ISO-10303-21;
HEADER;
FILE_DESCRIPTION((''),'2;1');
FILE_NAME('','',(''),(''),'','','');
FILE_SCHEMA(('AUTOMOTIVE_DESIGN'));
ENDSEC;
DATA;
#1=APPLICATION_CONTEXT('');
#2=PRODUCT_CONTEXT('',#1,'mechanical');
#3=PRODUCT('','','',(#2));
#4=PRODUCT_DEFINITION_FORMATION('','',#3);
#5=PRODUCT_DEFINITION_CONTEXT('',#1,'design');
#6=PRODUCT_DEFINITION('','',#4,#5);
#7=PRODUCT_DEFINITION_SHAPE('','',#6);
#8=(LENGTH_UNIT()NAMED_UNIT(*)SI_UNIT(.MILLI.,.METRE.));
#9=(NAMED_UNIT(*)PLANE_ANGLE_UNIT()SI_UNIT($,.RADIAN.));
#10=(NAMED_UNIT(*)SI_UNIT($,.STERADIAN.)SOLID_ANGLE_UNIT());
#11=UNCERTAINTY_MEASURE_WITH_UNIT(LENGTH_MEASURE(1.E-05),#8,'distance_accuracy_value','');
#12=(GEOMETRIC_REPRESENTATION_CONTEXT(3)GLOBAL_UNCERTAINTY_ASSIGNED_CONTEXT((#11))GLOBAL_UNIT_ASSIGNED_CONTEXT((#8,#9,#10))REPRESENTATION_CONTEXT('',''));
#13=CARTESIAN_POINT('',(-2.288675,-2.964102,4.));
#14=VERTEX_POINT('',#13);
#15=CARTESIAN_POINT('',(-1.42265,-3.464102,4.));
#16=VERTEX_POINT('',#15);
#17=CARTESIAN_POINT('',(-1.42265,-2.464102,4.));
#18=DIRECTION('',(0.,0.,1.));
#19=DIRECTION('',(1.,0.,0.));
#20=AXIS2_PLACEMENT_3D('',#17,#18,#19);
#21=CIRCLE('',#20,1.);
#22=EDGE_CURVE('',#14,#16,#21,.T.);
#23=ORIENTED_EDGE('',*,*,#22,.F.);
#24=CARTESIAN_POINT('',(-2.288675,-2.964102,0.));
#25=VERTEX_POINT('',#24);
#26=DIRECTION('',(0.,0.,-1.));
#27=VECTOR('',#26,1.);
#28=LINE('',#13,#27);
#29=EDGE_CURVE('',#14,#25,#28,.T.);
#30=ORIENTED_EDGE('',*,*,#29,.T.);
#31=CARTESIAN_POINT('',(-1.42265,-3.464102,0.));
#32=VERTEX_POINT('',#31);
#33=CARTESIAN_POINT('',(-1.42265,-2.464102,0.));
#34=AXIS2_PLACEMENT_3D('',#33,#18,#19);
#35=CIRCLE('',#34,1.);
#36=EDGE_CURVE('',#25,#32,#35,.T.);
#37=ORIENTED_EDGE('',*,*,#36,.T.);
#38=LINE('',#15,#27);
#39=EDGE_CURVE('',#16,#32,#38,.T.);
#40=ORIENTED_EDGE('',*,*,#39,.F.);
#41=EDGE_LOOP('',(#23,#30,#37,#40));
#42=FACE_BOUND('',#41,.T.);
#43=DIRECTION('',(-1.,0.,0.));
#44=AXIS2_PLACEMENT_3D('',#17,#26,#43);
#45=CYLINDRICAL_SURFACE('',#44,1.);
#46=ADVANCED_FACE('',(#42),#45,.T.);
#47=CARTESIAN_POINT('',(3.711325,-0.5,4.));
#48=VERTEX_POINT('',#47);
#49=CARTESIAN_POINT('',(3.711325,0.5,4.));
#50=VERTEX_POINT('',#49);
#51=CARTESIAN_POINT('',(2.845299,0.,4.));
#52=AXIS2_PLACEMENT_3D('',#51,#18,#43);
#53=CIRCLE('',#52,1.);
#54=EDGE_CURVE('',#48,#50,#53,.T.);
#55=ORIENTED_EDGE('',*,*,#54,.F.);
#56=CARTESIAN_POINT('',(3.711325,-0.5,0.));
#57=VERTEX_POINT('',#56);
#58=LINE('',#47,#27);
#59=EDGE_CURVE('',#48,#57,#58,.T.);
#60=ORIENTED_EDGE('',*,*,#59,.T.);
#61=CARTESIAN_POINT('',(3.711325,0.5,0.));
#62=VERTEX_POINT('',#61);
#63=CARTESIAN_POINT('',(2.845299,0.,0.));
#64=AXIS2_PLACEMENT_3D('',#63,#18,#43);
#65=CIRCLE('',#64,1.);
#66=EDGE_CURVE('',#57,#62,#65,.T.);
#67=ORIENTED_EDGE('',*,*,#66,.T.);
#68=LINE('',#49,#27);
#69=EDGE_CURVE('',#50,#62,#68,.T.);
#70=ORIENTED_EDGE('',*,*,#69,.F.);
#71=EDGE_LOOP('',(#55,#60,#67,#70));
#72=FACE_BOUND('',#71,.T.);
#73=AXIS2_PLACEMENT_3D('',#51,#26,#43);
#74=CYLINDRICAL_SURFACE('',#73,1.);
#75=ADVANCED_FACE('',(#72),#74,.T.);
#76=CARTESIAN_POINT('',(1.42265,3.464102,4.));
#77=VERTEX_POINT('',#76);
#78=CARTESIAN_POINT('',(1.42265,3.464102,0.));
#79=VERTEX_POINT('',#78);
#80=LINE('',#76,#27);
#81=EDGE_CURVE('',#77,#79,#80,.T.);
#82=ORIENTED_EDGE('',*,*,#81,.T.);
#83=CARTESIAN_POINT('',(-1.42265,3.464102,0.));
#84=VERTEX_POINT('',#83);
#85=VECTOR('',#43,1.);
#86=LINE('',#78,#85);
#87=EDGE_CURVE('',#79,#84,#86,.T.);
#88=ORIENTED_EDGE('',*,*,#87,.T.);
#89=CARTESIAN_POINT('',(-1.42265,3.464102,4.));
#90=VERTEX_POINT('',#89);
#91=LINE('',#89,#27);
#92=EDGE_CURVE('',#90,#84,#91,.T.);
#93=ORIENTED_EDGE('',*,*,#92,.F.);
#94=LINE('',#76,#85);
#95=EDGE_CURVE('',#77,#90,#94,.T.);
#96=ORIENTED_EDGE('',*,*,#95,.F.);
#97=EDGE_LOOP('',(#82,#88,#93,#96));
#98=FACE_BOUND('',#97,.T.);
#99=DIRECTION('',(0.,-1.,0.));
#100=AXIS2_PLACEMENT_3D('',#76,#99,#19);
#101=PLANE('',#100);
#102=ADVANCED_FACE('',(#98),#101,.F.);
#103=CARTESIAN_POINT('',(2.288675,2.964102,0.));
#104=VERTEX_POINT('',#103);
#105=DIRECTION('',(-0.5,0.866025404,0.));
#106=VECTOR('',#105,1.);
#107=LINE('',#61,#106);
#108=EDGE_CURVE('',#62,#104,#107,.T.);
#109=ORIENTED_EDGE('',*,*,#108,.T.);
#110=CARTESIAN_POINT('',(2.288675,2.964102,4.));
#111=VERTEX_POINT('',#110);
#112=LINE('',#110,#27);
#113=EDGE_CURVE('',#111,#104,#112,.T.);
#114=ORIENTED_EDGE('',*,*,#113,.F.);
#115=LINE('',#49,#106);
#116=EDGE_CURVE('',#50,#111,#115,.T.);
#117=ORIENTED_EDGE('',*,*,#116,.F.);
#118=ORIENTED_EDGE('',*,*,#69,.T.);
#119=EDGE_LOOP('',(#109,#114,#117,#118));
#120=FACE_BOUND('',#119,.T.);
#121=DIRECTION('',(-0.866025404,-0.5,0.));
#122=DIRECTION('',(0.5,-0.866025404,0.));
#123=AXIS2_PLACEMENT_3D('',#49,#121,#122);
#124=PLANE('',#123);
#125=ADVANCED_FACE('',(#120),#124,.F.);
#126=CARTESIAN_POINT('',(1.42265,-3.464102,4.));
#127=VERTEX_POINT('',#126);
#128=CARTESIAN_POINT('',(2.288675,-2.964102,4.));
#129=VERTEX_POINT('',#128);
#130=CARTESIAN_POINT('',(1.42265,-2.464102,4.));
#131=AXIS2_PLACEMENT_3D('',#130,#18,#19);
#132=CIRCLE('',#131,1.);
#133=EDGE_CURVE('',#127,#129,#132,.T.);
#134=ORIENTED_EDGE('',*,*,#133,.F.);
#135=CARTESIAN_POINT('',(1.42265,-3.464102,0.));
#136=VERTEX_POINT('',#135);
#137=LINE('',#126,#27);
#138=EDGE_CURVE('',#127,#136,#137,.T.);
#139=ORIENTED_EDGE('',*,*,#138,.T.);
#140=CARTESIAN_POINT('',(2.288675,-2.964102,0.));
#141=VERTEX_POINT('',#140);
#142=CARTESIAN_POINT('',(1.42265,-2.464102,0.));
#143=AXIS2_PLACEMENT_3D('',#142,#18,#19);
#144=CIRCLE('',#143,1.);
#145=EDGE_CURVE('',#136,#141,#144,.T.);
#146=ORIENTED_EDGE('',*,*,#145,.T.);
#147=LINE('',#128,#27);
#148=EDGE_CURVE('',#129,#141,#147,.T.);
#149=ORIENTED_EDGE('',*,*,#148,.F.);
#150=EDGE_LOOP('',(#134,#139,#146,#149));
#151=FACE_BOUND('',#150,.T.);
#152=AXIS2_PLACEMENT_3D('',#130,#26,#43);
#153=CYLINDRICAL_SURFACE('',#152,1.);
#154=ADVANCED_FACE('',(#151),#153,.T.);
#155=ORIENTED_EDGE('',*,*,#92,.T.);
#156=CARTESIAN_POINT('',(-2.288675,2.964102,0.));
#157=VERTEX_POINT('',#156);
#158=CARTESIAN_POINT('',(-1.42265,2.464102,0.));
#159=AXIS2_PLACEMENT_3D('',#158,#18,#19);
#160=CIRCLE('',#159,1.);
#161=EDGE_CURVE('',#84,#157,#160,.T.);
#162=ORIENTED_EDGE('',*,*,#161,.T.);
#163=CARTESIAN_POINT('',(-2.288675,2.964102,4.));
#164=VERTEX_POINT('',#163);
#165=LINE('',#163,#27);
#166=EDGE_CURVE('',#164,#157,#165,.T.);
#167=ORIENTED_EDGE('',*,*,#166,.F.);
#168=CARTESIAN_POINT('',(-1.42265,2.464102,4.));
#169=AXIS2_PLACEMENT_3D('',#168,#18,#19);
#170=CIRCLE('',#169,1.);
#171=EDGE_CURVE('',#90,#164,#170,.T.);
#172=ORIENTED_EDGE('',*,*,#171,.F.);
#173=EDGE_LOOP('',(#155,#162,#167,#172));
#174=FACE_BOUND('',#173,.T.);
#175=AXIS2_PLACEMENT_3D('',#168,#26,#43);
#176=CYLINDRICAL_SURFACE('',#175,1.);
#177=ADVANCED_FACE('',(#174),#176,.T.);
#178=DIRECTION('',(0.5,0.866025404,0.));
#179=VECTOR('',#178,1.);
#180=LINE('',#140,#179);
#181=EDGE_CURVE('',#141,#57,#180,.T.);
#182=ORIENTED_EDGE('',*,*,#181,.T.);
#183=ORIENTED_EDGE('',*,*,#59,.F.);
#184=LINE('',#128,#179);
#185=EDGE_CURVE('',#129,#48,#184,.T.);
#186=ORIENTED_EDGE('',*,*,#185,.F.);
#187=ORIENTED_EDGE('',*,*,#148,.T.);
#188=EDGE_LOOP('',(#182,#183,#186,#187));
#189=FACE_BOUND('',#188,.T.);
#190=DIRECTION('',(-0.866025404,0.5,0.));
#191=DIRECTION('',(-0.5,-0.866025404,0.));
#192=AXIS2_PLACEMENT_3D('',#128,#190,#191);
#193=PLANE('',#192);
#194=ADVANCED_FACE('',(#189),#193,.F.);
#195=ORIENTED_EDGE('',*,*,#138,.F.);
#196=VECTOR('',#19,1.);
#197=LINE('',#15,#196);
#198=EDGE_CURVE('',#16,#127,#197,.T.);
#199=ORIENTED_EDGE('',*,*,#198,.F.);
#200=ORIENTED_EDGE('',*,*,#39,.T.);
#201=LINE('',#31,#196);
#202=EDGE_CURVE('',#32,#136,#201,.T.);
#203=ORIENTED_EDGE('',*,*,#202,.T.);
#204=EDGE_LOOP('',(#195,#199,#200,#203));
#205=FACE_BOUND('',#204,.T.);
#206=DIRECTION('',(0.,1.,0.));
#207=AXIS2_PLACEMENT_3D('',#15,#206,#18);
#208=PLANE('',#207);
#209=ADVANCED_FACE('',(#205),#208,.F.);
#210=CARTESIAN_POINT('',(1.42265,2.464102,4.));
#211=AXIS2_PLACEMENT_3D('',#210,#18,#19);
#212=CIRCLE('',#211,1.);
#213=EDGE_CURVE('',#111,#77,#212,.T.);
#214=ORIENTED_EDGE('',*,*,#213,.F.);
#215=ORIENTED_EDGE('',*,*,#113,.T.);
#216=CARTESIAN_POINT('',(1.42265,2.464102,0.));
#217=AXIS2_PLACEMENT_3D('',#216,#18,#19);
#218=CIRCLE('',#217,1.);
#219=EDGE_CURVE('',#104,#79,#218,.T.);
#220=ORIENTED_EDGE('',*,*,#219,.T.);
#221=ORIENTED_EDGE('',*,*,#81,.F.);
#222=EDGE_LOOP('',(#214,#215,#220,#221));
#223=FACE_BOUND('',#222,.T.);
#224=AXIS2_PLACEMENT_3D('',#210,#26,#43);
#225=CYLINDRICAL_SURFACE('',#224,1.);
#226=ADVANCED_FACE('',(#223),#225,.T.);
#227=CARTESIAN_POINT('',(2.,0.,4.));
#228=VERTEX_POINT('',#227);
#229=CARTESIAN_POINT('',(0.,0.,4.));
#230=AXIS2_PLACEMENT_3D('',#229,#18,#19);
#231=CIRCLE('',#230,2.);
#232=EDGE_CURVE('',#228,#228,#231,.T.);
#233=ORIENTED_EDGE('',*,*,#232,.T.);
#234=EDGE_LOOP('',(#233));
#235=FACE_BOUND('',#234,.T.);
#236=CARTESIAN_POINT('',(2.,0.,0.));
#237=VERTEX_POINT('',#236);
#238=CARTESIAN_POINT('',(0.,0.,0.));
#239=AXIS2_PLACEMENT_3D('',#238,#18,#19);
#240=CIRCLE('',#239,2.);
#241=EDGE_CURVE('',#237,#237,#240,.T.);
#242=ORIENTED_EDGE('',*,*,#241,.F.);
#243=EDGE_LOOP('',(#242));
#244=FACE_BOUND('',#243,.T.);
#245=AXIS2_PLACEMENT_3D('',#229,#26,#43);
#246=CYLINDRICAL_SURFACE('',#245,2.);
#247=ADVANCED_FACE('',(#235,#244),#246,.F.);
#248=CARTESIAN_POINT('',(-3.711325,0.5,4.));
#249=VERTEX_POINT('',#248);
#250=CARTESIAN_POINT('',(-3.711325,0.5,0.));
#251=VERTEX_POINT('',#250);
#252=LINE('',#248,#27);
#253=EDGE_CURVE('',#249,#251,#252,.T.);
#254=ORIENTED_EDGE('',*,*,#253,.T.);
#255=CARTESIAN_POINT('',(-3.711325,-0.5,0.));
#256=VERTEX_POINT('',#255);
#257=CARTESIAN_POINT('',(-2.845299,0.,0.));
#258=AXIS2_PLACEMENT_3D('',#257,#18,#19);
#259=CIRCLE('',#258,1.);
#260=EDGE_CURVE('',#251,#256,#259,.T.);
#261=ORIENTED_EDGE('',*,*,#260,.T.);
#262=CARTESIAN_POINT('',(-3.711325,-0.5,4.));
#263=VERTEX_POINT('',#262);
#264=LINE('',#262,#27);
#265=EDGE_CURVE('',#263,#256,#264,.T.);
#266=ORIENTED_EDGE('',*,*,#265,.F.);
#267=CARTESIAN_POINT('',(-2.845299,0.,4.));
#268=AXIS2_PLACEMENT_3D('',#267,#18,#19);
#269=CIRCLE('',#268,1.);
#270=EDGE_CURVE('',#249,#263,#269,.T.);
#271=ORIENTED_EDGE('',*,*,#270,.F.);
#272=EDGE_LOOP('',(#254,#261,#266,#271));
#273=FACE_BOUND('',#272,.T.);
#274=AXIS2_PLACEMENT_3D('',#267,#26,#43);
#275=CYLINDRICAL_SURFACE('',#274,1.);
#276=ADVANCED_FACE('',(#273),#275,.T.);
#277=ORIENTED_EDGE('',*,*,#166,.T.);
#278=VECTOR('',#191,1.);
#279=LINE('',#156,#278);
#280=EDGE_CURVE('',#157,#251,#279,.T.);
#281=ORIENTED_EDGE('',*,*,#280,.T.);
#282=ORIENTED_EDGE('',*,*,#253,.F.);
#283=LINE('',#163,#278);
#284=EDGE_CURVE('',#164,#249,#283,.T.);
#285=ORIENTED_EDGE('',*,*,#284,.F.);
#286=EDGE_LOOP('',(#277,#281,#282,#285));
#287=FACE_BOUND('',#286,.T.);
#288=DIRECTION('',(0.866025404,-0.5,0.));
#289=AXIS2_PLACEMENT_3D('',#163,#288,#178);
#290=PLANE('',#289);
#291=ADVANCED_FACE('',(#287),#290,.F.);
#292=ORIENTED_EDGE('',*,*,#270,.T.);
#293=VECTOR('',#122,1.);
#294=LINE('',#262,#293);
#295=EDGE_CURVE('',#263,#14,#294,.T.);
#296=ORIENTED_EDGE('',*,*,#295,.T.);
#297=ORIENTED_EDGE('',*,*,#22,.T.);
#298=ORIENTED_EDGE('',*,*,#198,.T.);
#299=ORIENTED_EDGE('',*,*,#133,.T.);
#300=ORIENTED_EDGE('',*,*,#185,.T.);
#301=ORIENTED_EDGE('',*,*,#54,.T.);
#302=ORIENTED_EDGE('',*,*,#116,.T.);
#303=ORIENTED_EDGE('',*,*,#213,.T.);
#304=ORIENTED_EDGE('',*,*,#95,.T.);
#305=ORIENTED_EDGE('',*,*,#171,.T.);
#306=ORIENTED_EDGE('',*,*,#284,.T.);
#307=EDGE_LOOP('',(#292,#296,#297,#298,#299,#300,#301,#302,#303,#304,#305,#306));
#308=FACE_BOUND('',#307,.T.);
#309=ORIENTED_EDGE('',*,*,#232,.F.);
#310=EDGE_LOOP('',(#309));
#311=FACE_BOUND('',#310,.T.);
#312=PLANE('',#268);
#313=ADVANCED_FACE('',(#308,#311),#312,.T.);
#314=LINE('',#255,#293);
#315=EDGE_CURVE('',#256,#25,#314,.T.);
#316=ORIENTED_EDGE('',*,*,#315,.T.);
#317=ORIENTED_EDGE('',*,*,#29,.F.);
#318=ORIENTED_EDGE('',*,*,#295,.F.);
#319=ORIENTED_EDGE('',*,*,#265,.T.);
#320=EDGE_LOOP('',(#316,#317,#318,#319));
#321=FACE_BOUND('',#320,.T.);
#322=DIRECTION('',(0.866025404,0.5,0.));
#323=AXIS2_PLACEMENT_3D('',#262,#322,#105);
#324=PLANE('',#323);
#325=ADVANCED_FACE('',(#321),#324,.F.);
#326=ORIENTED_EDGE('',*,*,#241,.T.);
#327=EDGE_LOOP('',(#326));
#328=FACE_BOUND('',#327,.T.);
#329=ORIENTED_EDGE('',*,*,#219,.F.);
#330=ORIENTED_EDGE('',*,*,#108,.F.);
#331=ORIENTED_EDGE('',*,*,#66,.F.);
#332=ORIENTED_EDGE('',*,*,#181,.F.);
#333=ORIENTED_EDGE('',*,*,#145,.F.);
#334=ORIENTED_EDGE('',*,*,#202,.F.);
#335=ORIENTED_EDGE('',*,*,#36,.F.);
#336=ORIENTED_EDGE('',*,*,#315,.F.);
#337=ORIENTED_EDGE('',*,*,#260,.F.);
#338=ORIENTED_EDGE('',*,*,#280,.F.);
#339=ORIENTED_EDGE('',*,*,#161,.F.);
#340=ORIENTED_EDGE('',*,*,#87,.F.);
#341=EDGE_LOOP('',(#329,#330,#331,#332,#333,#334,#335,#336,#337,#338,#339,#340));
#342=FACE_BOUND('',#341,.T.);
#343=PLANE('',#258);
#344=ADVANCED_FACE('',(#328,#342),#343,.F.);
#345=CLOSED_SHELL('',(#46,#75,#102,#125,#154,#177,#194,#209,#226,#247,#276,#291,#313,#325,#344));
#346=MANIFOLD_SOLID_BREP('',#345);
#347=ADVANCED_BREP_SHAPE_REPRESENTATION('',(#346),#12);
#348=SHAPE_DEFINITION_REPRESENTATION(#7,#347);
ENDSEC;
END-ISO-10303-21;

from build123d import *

# Parameters (mm, degrees)
SKETCH1_R           = 2
BOSS_EXTRUDE1_DEPTH = 4


with BuildPart() as part:
    # Sketch1 → Boss-Extrude1 (new body)
    with BuildSketch(Plane.XY):
        with BuildLine():
            Line((3.711324865, 0.5), (2.288675135, 2.964101615))
            ThreePointArc((2.288675135, 2.964101615), (1.922649731, 3.330127019), (1.422649731, 3.464101615))
            Line((1.422649731, 3.464101615), (-1.422649731, 3.464101615))
            ThreePointArc((-1.422649731, 3.464101615), (-1.922649731, 3.330127019), (-2.288675135, 2.964101615))
            Line((-2.288675135, 2.964101615), (-3.711324865, 0.5))
            ThreePointArc((-3.711324865, 0.5), (-3.845299462, 0), (-3.711324865, -0.5))
            Line((-3.711324865, -0.5), (-2.288675135, -2.964101615))
            ThreePointArc((-2.288675135, -2.964101615), (-1.922649731, -3.330127019), (-1.422649731, -3.464101615))
            Line((-1.422649731, -3.464101615), (1.422649731, -3.464101615))
            ThreePointArc((1.422649731, -3.464101615), (1.922649731, -3.330127019), (2.288675135, -2.964101615))
            Line((2.288675135, -2.964101615), (3.711324865, -0.5))
            ThreePointArc((3.711324865, -0.5), (3.845299462, 0), (3.711324865, 0.5))
        make_face()
        Circle(SKETCH1_R, mode=Mode.SUBTRACT)
    extrude(amount=BOSS_EXTRUDE1_DEPTH)


solid = part.part
